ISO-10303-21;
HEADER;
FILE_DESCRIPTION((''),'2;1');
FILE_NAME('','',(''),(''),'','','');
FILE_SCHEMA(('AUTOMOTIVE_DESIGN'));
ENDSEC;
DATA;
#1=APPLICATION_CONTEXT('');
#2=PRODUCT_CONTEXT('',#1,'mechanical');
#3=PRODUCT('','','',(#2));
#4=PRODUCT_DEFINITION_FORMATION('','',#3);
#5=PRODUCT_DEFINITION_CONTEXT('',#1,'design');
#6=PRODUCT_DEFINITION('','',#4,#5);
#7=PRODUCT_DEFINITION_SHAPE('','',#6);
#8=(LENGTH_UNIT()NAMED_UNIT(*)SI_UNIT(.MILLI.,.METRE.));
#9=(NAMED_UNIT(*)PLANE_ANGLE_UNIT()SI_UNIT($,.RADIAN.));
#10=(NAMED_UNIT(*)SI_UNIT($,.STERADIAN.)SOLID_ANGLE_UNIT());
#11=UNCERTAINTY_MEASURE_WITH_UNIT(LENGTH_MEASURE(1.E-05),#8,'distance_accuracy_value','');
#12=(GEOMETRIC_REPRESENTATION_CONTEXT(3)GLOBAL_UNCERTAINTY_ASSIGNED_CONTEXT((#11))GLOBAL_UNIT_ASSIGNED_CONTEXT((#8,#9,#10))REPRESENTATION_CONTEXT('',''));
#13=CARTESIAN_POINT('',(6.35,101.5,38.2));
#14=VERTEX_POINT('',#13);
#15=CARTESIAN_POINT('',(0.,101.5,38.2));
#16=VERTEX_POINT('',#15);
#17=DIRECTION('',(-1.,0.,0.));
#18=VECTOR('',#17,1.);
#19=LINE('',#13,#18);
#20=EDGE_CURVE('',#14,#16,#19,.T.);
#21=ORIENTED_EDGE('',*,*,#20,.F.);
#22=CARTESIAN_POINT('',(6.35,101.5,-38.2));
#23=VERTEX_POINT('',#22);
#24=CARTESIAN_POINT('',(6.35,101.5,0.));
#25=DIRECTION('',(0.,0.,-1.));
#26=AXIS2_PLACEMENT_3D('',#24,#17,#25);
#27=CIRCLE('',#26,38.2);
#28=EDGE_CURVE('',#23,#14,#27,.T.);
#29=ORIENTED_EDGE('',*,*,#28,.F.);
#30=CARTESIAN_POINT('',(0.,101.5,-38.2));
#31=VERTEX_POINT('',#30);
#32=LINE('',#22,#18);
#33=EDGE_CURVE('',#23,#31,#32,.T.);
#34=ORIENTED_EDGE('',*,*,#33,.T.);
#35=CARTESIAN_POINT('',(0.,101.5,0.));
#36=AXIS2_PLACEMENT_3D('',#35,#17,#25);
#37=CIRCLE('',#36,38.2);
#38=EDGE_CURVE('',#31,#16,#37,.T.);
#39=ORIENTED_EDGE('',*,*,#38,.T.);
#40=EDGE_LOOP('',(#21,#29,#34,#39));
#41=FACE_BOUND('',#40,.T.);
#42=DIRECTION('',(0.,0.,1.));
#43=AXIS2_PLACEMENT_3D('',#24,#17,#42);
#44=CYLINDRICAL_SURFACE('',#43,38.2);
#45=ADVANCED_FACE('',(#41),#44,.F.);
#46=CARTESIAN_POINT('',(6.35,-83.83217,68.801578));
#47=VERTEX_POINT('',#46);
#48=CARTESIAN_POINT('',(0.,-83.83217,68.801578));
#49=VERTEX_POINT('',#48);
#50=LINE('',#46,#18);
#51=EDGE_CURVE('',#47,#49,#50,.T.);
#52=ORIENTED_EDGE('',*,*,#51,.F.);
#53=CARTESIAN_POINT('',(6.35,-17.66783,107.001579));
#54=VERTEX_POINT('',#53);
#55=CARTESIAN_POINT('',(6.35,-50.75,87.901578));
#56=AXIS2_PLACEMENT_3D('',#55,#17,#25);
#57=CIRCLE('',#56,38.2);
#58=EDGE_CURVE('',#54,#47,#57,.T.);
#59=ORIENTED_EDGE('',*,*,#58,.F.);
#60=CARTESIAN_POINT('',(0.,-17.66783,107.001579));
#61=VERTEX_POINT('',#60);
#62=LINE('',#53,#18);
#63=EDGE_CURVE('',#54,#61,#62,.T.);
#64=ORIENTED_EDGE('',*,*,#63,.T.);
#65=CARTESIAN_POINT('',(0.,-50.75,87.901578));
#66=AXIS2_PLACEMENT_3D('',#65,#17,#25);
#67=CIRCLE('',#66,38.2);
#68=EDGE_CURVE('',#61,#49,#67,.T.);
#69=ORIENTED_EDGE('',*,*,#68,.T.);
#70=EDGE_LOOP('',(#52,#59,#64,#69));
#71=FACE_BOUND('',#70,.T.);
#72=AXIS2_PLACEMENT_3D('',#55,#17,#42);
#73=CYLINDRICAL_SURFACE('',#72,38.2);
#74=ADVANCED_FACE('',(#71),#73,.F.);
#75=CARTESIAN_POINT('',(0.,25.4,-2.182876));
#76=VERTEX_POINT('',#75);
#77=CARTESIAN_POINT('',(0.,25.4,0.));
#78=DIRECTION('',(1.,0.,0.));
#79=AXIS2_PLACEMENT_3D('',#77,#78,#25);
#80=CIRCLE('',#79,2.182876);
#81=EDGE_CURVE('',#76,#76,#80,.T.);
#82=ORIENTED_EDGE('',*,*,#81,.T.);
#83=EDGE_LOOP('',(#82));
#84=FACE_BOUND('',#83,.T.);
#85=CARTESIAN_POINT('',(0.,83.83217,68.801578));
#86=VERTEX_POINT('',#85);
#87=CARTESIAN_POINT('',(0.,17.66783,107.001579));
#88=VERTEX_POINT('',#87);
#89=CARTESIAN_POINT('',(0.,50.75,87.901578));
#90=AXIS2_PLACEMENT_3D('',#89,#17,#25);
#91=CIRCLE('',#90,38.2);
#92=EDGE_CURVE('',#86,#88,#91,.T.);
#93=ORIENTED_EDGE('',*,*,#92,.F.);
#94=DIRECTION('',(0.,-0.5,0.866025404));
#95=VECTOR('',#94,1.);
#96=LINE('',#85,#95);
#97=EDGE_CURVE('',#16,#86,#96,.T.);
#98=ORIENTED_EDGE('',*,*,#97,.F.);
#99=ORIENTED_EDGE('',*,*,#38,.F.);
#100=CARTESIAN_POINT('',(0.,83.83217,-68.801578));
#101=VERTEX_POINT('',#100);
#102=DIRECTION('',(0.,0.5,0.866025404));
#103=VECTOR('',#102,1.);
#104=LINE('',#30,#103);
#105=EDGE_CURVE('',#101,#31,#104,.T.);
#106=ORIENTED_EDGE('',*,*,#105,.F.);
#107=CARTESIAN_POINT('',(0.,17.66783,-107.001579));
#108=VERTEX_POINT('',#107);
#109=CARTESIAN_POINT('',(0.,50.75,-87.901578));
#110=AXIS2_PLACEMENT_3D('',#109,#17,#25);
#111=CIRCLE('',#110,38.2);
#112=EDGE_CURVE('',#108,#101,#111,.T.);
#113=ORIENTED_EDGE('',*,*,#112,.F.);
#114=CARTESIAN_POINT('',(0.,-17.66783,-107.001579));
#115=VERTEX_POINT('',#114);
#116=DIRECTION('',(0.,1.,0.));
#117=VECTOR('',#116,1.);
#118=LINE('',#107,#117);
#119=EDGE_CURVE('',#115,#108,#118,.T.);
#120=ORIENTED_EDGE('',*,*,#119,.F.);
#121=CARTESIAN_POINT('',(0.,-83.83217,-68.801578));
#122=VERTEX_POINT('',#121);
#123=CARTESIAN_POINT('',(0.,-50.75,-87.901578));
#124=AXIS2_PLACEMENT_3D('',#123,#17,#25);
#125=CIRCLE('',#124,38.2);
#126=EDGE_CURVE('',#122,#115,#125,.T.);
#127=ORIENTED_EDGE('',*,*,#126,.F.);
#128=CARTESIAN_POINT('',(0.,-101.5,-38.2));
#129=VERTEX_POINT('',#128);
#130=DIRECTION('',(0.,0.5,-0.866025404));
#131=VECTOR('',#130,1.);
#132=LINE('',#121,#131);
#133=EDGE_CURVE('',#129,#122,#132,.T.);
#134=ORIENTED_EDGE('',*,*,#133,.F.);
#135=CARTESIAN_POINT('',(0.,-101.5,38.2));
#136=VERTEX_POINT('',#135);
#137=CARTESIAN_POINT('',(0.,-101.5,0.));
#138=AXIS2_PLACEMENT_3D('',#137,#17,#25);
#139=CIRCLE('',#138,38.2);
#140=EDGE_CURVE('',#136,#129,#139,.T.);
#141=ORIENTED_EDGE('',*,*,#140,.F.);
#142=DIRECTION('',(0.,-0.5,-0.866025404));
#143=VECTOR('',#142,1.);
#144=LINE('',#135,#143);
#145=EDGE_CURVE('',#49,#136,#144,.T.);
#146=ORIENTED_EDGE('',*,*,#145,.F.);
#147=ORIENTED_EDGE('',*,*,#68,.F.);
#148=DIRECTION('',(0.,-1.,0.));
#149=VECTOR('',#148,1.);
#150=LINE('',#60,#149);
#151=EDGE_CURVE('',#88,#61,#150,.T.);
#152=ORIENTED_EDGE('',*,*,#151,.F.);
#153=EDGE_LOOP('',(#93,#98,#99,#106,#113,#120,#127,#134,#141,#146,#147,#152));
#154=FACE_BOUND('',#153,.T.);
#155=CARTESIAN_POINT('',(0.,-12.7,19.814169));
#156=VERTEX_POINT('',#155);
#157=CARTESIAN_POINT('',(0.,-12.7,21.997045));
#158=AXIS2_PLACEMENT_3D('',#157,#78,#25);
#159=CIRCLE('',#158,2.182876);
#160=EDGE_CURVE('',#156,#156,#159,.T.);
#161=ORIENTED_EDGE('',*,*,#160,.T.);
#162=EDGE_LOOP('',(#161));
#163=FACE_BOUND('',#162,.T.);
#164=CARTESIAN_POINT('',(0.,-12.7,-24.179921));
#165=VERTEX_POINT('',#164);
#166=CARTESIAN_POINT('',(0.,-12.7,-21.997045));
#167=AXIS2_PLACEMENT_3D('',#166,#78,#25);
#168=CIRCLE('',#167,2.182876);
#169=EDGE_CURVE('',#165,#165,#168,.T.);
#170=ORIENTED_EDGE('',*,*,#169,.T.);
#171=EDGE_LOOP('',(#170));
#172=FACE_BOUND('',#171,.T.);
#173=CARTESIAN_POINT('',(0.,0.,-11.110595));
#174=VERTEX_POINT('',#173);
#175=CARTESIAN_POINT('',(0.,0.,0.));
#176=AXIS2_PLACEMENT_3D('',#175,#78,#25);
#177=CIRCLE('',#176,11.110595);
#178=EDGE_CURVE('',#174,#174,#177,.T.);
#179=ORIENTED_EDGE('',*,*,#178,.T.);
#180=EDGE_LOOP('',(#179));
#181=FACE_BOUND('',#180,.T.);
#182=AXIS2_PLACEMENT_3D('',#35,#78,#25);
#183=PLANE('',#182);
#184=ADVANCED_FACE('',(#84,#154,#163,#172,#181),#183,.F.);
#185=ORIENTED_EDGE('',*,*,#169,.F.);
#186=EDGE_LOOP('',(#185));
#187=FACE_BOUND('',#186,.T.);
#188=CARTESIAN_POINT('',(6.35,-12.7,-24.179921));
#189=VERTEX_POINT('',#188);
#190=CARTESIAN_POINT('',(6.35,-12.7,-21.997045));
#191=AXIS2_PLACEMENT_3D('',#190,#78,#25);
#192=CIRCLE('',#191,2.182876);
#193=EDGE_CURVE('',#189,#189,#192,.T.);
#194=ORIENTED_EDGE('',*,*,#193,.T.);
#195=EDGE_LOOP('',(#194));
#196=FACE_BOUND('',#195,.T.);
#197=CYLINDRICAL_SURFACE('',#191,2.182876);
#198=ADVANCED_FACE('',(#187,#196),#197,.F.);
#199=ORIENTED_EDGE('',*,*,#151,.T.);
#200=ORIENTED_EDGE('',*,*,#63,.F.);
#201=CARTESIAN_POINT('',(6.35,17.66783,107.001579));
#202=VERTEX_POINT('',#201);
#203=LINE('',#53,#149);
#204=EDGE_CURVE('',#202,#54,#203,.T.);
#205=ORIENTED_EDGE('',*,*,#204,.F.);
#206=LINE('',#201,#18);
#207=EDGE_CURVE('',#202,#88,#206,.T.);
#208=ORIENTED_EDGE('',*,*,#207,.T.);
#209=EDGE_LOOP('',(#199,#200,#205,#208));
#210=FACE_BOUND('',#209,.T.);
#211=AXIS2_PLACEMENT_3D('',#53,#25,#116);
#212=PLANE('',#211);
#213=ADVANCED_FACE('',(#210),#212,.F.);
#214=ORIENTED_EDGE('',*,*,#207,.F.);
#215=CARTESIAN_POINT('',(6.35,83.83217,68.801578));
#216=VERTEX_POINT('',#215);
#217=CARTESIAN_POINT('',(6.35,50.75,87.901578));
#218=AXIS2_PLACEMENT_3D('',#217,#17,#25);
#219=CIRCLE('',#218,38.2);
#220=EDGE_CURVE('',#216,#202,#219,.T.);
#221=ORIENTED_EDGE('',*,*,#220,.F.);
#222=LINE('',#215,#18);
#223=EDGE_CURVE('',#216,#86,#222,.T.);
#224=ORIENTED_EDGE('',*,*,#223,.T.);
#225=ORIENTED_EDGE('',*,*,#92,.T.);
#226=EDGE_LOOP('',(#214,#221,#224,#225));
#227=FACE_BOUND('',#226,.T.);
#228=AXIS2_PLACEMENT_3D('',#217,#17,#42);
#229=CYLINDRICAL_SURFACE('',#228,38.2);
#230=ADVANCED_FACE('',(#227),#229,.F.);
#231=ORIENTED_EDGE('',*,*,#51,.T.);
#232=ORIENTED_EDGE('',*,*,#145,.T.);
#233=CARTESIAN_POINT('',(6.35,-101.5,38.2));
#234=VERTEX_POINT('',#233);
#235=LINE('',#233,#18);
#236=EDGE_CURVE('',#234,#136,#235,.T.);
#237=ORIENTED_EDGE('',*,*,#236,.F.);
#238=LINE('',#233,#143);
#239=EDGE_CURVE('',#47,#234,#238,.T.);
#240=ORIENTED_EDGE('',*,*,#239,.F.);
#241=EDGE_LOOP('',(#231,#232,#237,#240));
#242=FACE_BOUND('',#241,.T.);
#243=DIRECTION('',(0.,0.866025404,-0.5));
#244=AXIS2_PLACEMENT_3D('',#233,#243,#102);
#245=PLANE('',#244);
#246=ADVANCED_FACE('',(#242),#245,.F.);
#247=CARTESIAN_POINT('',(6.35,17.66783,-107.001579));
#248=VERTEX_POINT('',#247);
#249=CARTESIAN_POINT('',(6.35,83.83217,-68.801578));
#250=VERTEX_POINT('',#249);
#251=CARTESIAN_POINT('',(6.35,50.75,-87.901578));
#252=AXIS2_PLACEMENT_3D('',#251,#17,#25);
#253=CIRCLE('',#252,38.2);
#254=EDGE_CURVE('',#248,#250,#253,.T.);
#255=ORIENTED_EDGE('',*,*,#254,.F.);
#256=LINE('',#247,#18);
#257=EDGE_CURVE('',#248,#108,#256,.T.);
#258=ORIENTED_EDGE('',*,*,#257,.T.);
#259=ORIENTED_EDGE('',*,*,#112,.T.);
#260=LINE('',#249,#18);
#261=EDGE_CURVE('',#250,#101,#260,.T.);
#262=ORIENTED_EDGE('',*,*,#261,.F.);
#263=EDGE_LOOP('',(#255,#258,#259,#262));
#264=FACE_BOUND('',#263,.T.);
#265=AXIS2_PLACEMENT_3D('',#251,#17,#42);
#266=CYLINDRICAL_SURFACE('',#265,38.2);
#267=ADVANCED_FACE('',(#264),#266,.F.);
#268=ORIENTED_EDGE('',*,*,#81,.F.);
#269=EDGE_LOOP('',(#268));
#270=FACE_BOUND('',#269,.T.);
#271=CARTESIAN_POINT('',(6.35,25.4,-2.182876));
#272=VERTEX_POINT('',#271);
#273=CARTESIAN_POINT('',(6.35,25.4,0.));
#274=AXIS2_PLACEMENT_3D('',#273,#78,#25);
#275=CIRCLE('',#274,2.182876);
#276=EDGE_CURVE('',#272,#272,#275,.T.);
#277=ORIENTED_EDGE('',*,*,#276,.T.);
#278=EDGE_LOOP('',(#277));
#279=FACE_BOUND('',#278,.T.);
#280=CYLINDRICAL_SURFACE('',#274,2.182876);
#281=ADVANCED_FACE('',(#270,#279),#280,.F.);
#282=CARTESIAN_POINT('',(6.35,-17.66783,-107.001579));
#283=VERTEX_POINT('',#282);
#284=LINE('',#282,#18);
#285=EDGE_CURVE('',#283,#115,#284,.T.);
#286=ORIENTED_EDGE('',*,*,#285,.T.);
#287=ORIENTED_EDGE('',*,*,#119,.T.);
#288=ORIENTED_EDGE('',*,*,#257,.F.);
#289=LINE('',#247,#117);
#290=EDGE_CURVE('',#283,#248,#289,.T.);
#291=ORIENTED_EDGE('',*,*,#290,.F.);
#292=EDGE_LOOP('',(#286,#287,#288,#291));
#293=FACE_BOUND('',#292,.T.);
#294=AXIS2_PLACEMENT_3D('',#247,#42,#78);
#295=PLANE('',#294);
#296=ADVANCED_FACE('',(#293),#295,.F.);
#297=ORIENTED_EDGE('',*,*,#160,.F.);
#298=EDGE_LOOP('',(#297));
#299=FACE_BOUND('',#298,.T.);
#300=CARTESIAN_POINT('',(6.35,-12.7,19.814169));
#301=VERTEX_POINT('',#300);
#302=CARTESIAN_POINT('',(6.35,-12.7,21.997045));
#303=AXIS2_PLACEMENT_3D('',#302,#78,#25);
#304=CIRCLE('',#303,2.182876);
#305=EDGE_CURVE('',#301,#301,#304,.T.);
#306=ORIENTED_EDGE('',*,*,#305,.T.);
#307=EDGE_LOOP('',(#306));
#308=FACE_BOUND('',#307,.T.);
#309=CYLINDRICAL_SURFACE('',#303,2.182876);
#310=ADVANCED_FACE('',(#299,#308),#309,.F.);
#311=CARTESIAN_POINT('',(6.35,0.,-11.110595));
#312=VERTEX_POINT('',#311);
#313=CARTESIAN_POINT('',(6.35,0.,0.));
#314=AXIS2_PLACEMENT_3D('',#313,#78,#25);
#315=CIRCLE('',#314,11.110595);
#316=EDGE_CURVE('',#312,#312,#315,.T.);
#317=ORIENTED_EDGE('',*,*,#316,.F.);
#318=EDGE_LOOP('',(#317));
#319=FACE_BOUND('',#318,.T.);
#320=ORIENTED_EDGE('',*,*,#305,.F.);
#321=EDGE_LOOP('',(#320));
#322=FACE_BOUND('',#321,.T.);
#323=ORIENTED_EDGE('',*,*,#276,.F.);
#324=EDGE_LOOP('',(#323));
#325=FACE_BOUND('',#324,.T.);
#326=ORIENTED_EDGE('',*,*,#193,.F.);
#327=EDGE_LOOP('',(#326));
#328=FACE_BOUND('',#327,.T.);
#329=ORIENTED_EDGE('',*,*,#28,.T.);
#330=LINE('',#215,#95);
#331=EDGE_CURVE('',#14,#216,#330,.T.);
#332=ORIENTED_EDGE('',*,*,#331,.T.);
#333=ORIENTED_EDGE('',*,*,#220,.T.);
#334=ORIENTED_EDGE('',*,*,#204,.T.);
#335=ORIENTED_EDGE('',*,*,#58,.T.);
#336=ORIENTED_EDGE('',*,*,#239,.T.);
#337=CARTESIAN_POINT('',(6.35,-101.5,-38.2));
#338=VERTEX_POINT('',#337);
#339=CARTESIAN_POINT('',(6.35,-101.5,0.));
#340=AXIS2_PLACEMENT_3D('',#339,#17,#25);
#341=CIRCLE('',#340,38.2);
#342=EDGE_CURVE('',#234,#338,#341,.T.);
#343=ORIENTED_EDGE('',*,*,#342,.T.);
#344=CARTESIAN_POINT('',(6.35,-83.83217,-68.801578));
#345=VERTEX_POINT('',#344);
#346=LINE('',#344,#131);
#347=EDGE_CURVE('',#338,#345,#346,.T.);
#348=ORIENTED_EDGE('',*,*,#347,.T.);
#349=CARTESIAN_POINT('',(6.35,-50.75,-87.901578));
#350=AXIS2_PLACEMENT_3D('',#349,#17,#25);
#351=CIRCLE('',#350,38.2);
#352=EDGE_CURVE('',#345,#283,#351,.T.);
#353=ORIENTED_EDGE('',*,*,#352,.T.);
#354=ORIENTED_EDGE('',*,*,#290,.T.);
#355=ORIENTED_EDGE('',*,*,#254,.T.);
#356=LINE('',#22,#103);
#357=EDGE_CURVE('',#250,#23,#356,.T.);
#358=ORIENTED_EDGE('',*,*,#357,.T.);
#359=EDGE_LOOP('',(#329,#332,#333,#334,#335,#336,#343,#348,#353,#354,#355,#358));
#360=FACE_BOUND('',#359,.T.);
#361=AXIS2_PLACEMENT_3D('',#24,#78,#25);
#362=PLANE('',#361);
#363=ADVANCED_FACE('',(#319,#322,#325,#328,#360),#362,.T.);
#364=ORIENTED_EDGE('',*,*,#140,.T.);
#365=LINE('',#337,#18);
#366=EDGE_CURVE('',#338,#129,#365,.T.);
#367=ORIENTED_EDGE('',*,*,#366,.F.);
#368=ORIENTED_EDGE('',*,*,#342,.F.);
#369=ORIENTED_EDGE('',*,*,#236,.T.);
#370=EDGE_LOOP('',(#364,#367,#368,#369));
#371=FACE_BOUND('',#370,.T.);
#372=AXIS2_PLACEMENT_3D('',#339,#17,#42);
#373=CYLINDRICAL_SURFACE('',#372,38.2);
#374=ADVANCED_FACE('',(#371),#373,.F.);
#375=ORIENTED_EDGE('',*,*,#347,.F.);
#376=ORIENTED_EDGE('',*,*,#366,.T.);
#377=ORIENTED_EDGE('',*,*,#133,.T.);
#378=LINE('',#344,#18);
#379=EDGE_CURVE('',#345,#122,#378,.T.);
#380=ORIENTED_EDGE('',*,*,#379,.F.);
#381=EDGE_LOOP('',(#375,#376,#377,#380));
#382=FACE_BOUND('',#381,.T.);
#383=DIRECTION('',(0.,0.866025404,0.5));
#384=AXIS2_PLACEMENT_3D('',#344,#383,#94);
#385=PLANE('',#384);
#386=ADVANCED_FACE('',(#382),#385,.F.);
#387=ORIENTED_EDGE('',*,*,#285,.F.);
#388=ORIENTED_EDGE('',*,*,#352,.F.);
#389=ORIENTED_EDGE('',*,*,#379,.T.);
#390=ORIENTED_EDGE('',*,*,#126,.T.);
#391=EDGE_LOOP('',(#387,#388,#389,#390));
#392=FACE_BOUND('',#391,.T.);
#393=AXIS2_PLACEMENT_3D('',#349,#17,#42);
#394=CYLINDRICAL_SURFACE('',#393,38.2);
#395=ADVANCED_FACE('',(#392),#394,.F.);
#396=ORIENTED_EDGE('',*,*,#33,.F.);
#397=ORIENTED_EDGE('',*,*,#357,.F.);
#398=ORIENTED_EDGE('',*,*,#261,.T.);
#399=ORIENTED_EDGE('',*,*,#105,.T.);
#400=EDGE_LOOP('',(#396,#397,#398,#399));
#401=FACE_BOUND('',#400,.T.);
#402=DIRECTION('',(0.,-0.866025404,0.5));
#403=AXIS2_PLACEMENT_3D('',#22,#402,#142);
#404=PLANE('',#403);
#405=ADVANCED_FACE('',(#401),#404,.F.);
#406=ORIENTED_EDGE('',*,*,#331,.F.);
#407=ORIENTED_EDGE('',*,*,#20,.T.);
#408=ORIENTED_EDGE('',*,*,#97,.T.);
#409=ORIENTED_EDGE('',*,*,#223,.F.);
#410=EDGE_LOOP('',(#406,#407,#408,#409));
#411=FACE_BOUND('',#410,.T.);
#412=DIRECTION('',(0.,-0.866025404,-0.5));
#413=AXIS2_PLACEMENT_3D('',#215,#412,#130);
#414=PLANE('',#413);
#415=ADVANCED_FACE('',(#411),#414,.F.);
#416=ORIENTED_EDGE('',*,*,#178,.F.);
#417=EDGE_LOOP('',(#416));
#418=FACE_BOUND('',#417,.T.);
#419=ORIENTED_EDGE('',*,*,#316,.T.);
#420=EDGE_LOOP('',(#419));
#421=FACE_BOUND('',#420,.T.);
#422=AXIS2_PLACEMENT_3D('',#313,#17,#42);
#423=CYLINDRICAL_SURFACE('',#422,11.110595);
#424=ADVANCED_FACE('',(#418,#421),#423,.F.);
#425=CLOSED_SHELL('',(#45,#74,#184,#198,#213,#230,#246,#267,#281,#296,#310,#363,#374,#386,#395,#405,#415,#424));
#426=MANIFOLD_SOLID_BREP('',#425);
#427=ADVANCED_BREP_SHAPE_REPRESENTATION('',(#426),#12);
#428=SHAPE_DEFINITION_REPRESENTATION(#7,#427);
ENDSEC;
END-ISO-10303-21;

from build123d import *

# Parameters (mm, degrees)
SKETCH1_R                        = 11.110595
BOSS_EXTRUDE1_DEPTH              = 6.35
F_11_64_0_17188_DIAMETER_HOLE1_D = 4.365752
CIRPATTERN1_COUNT                = 3


with BuildPart() as part:
    # Sketch1 → Boss-Extrude1 (new body)
    with BuildSketch(Plane(origin=(0, 0, 0), x_dir=(0, 0, -1), z_dir=(1, 0, 0))):
        with BuildLine():
            Line((38.200000054, 101.5), (68.801578457, 83.832170471))
            ThreePointArc((68.801578457, 83.832170471), (54.819408013, 31.649999973), (107.001578511, 17.667829529))
            Line((107.001578511, 17.667829529), (107.001578511, -17.667829529))
            ThreePointArc((107.001578511, -17.667829529), (54.819408013, -31.649999973), (68.801578457, -83.832170471))
            Line((68.801578457, -83.832170471), (38.200000054, -101.5))
            ThreePointArc((38.200000054, -101.5), (0, -63.299999946), (-38.200000054, -101.5))
            Line((-38.200000054, -101.5), (-68.801578457, -83.832170471))
            ThreePointArc((-68.801578457, -83.832170471), (-54.819408013, -31.649999973), (-107.001578511, -17.667829529))
            Line((-107.001578511, -17.667829529), (-107.001578511, 17.667829529))
            ThreePointArc((-107.001578511, 17.667829529), (-54.819408013, 31.649999973), (-68.801578457, 83.832170471))
            Line((-68.801578457, 83.832170471), (-38.200000054, 101.5))
            ThreePointArc((-38.200000054, 101.5), (0, 63.299999946), (38.200000054, 101.5))
        make_face()
        Circle(SKETCH1_R, mode=Mode.SUBTRACT)
    extrude(amount=BOSS_EXTRUDE1_DEPTH)

    # 11/64 (0.17188) Diameter Hole1 (through all)
    with Locations(Plane(origin=(6.35, 0, 0), x_dir=(0, 0, -1), z_dir=(1, 0, 0))):
        with Locations((0, 25.4)):
            f_11_64_0_17188_diameter_hole1 = Hole(F_11_64_0_17188_DIAMETER_HOLE1_D / 2)

    # CirPattern1: 11/64 (0.17188) Diameter Hole1 ×3 about axis
    cirpattern1_axis = Axis((0, 0, 0), (1, 0, 0))
    for i in range(1, CIRPATTERN1_COUNT):
        add(f_11_64_0_17188_diameter_hole1.rotate(cirpattern1_axis, i * 360 / CIRPATTERN1_COUNT), mode=Mode.SUBTRACT)


solid = part.part
